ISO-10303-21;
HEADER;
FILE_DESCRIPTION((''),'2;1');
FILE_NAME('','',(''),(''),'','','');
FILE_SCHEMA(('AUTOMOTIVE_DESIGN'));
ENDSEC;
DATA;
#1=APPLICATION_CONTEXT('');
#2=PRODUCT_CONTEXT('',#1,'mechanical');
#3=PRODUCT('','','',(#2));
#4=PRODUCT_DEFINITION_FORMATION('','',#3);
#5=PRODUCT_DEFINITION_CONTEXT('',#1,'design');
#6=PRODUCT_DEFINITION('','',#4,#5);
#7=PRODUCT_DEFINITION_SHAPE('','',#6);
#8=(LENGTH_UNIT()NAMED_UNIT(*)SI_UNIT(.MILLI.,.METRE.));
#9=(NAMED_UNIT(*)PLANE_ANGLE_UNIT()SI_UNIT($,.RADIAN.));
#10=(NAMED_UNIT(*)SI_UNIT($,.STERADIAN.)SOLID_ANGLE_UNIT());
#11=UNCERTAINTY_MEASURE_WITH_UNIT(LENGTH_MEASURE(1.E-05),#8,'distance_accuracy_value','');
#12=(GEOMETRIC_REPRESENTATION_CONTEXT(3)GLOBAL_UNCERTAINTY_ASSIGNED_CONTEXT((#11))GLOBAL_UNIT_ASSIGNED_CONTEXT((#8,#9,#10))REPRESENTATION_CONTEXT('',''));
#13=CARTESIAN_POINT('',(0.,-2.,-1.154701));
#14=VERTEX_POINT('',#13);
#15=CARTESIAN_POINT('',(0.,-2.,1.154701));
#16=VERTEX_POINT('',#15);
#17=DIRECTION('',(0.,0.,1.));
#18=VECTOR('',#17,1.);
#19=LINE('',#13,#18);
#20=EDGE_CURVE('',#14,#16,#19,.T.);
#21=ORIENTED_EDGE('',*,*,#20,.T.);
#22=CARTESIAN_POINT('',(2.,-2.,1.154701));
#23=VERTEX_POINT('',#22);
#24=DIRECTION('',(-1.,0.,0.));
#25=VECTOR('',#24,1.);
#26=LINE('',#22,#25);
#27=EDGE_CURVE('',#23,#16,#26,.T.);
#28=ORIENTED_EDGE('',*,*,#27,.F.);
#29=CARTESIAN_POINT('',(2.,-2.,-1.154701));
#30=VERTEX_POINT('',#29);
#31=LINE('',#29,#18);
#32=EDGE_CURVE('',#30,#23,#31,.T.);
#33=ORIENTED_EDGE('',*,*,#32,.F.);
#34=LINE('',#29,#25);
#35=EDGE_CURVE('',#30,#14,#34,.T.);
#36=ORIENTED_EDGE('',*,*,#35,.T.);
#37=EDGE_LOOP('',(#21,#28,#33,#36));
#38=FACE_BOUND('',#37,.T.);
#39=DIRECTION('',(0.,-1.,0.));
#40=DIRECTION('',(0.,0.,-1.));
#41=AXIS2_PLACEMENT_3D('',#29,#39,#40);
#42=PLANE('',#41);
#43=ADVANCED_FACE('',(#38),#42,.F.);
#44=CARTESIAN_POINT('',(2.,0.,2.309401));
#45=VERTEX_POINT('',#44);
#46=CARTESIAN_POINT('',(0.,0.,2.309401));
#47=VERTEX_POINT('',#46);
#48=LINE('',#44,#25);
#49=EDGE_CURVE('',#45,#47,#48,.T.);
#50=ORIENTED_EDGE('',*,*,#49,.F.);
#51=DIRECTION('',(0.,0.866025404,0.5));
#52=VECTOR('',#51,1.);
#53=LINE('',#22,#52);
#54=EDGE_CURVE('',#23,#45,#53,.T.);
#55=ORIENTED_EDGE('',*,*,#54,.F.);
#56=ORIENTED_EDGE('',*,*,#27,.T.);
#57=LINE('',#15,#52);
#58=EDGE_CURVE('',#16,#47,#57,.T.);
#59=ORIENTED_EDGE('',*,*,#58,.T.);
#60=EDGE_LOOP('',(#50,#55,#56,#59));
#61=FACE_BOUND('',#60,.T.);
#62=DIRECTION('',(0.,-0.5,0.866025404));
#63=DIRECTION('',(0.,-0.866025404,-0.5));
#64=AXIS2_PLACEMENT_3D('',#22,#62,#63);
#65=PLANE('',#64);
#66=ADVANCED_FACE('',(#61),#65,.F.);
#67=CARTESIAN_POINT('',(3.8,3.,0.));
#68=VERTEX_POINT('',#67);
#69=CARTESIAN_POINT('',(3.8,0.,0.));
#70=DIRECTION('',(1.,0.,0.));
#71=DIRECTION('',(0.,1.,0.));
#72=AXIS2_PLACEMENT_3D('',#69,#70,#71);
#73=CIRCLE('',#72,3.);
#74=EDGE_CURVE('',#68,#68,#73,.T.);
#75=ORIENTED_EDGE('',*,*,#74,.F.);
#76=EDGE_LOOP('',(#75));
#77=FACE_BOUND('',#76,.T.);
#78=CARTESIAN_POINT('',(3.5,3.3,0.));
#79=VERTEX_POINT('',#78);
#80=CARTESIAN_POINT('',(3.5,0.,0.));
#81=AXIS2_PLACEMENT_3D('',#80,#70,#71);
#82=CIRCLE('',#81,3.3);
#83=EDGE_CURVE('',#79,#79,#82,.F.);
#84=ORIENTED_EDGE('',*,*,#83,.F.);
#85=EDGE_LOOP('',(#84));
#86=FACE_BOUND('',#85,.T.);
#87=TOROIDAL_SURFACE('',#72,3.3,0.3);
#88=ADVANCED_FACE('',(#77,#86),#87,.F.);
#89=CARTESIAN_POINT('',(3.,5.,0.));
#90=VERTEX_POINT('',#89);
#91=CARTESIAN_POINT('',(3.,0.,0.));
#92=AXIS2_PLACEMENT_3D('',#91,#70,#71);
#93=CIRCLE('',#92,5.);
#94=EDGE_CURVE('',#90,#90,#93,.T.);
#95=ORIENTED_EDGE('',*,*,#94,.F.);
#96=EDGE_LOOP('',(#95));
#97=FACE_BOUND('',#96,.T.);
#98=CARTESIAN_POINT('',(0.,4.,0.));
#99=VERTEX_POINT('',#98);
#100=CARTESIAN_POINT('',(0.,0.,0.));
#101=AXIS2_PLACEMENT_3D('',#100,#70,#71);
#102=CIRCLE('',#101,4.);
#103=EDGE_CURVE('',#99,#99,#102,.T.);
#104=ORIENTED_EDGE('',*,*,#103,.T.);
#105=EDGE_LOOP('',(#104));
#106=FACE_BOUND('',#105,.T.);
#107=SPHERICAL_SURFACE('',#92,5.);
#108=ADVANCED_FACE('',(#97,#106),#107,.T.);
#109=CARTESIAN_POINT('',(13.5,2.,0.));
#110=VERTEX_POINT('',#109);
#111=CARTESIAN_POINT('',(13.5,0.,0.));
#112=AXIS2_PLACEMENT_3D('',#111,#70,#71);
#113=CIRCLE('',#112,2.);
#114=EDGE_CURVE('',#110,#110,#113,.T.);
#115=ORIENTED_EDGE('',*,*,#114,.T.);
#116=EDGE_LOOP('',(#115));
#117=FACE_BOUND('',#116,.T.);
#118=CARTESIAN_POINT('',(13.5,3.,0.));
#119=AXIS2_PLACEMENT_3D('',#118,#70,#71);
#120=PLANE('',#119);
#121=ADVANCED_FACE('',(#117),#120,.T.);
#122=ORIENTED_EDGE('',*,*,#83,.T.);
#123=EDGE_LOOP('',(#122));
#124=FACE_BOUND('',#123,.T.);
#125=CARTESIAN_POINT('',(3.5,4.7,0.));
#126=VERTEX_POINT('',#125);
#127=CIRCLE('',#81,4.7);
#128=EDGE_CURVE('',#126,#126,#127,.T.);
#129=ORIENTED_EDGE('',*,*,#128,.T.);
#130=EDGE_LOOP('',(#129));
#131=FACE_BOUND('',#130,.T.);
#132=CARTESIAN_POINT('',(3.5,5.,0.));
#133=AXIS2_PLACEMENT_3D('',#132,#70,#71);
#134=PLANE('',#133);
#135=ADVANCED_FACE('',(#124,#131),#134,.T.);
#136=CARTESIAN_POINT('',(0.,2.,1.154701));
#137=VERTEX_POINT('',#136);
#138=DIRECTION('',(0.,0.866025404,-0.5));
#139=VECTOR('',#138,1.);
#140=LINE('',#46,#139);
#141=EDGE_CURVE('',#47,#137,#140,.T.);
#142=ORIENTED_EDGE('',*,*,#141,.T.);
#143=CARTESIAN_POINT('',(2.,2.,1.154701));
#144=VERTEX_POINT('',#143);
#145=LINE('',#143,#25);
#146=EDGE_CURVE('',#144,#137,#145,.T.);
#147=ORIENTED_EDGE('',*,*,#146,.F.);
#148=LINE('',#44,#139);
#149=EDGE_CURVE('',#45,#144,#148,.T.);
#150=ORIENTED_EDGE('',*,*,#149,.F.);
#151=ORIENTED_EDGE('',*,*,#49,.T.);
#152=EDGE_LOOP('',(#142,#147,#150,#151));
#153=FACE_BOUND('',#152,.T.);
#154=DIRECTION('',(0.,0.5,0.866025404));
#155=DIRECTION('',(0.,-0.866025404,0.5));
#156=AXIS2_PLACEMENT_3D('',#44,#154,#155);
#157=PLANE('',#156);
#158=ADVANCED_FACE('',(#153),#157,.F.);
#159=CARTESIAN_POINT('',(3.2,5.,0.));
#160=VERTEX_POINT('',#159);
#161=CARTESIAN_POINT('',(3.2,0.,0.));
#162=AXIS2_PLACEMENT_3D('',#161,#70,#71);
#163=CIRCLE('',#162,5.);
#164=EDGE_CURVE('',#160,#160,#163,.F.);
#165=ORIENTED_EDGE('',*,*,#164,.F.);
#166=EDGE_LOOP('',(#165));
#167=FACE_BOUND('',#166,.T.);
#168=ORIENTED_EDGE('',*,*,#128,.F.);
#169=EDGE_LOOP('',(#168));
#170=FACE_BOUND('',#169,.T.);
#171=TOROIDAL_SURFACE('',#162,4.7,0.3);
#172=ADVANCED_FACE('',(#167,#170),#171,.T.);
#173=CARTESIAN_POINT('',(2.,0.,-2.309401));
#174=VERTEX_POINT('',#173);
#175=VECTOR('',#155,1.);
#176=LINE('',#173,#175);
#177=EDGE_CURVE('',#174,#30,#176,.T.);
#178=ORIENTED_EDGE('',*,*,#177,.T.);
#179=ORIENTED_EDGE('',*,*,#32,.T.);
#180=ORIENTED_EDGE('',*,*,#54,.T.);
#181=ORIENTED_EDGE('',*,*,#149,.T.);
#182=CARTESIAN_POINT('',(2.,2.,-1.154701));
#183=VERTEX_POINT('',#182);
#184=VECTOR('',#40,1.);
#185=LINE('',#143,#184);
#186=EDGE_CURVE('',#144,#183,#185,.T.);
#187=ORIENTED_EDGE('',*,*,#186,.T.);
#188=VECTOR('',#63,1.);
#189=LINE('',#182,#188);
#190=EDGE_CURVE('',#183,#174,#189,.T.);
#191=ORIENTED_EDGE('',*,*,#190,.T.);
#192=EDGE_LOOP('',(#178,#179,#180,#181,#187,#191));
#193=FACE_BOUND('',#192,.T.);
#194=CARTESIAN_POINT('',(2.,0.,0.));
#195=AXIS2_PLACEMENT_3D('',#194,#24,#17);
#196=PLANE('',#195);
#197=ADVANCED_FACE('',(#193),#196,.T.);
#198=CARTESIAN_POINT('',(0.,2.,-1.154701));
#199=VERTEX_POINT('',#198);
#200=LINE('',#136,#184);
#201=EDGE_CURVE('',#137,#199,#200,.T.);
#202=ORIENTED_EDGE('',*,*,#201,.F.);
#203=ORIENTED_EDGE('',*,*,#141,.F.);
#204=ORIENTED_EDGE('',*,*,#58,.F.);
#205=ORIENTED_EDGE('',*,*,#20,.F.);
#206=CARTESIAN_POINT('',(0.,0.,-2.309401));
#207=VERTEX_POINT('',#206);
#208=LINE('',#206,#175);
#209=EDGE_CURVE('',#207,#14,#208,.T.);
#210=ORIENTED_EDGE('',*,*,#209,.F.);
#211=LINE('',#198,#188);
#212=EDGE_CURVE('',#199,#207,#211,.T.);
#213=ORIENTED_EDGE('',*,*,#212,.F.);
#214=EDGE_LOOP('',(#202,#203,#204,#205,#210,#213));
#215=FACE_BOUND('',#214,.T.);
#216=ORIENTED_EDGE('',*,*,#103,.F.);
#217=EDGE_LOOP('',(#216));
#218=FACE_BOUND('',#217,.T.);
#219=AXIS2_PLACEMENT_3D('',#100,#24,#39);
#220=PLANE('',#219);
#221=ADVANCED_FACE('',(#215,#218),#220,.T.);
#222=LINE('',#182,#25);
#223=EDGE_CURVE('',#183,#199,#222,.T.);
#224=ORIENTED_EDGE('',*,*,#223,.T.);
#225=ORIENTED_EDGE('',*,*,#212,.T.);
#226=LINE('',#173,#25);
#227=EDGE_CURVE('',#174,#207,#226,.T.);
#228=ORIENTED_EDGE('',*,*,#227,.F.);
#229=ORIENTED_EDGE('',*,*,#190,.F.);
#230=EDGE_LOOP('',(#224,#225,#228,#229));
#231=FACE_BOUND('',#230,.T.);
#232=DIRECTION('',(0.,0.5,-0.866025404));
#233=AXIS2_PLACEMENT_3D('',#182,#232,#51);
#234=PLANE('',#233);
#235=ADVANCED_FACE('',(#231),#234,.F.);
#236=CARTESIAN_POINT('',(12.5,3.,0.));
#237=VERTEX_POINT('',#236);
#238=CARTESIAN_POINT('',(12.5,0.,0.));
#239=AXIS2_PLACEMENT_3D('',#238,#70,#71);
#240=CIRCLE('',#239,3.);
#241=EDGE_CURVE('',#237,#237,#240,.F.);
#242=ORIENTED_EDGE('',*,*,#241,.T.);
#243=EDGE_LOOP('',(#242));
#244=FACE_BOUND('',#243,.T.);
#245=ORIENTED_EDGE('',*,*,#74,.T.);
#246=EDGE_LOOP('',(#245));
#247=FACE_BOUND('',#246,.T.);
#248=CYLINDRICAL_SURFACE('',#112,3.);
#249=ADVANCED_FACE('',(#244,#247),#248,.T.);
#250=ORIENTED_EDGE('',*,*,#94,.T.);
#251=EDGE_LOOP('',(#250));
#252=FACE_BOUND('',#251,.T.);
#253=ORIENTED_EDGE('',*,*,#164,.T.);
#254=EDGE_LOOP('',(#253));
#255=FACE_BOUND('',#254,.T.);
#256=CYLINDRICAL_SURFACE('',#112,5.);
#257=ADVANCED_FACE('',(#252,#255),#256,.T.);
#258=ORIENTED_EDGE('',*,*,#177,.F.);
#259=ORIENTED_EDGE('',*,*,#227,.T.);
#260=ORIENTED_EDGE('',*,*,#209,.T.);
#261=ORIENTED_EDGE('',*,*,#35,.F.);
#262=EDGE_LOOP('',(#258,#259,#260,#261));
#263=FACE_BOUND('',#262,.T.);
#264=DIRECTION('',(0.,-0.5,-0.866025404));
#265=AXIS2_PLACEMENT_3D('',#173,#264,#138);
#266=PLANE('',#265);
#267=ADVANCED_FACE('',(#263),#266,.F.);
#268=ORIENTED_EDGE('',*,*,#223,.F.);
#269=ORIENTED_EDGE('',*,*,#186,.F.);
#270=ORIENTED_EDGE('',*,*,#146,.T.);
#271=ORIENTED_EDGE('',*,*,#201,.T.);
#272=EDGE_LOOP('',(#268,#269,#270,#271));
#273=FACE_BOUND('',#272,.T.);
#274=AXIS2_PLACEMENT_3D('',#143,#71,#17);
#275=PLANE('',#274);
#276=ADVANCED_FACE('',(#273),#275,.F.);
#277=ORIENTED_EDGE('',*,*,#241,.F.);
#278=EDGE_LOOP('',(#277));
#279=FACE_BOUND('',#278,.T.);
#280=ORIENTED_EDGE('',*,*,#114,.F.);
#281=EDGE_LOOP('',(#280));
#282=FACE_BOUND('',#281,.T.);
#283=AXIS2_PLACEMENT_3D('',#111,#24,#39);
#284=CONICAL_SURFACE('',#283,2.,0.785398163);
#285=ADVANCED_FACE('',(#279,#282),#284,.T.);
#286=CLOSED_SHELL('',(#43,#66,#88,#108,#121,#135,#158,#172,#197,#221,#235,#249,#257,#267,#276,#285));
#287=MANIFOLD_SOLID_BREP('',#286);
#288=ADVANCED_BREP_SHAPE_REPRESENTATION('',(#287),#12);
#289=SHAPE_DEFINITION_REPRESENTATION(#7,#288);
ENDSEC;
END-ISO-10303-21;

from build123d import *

# Parameters (mm, degrees)
CUT_EXTRUDE_1_DEPTH = 2
FILLET_1_R          = 0.3
CHAMFER_1_SIZE      = 1


with BuildPart() as part:
    # Эскиз1 → Повернуть1 (revolve)
    with BuildSketch(Plane.XY):
        with BuildLine():
            Line((0, 0), (0, 4))
            ThreePointArc((0, 4), (1.41886117, 4.74341649), (3, 5))
            Line((3, 5), (3.5, 5))
            Line((3.5, 5), (3.5, 3))
            Line((3.5, 3), (13.5, 3))
            Line((13.5, 3), (13.5, 0))
            Line((13.5, 0), (0, 0))
        make_face()
    revolve(axis=Axis((13.5, 0, 0), (-1, 0, 0)))

    # Эскиз2 → Вырез-Вытянуть1 (cut)
    with BuildSketch(Plane.ZY):
        Polygon((1.154700538, 2), (-1.154700538, 2), (-2.309401077, 0), (-1.154700538, -2), (1.154700538, -2), (2.309401077, 0), align=None)
    extrude(amount=-CUT_EXTRUDE_1_DEPTH, mode=Mode.SUBTRACT)

    # Скругление1
    fillet_1_edges = [part.edges().sort_by_distance(p)[0] for p in [
        (3.5, -3, 0),
        (3.5, -5, 0),
    ]]
    fillet(fillet_1_edges, radius=FILLET_1_R)

    # Фаска1
    chamfer_1_edges = [part.edges().sort_by_distance(p)[0] for p in [
        (13.5, -3, 0),
    ]]
    chamfer(chamfer_1_edges, length=CHAMFER_1_SIZE)


solid = part.part
